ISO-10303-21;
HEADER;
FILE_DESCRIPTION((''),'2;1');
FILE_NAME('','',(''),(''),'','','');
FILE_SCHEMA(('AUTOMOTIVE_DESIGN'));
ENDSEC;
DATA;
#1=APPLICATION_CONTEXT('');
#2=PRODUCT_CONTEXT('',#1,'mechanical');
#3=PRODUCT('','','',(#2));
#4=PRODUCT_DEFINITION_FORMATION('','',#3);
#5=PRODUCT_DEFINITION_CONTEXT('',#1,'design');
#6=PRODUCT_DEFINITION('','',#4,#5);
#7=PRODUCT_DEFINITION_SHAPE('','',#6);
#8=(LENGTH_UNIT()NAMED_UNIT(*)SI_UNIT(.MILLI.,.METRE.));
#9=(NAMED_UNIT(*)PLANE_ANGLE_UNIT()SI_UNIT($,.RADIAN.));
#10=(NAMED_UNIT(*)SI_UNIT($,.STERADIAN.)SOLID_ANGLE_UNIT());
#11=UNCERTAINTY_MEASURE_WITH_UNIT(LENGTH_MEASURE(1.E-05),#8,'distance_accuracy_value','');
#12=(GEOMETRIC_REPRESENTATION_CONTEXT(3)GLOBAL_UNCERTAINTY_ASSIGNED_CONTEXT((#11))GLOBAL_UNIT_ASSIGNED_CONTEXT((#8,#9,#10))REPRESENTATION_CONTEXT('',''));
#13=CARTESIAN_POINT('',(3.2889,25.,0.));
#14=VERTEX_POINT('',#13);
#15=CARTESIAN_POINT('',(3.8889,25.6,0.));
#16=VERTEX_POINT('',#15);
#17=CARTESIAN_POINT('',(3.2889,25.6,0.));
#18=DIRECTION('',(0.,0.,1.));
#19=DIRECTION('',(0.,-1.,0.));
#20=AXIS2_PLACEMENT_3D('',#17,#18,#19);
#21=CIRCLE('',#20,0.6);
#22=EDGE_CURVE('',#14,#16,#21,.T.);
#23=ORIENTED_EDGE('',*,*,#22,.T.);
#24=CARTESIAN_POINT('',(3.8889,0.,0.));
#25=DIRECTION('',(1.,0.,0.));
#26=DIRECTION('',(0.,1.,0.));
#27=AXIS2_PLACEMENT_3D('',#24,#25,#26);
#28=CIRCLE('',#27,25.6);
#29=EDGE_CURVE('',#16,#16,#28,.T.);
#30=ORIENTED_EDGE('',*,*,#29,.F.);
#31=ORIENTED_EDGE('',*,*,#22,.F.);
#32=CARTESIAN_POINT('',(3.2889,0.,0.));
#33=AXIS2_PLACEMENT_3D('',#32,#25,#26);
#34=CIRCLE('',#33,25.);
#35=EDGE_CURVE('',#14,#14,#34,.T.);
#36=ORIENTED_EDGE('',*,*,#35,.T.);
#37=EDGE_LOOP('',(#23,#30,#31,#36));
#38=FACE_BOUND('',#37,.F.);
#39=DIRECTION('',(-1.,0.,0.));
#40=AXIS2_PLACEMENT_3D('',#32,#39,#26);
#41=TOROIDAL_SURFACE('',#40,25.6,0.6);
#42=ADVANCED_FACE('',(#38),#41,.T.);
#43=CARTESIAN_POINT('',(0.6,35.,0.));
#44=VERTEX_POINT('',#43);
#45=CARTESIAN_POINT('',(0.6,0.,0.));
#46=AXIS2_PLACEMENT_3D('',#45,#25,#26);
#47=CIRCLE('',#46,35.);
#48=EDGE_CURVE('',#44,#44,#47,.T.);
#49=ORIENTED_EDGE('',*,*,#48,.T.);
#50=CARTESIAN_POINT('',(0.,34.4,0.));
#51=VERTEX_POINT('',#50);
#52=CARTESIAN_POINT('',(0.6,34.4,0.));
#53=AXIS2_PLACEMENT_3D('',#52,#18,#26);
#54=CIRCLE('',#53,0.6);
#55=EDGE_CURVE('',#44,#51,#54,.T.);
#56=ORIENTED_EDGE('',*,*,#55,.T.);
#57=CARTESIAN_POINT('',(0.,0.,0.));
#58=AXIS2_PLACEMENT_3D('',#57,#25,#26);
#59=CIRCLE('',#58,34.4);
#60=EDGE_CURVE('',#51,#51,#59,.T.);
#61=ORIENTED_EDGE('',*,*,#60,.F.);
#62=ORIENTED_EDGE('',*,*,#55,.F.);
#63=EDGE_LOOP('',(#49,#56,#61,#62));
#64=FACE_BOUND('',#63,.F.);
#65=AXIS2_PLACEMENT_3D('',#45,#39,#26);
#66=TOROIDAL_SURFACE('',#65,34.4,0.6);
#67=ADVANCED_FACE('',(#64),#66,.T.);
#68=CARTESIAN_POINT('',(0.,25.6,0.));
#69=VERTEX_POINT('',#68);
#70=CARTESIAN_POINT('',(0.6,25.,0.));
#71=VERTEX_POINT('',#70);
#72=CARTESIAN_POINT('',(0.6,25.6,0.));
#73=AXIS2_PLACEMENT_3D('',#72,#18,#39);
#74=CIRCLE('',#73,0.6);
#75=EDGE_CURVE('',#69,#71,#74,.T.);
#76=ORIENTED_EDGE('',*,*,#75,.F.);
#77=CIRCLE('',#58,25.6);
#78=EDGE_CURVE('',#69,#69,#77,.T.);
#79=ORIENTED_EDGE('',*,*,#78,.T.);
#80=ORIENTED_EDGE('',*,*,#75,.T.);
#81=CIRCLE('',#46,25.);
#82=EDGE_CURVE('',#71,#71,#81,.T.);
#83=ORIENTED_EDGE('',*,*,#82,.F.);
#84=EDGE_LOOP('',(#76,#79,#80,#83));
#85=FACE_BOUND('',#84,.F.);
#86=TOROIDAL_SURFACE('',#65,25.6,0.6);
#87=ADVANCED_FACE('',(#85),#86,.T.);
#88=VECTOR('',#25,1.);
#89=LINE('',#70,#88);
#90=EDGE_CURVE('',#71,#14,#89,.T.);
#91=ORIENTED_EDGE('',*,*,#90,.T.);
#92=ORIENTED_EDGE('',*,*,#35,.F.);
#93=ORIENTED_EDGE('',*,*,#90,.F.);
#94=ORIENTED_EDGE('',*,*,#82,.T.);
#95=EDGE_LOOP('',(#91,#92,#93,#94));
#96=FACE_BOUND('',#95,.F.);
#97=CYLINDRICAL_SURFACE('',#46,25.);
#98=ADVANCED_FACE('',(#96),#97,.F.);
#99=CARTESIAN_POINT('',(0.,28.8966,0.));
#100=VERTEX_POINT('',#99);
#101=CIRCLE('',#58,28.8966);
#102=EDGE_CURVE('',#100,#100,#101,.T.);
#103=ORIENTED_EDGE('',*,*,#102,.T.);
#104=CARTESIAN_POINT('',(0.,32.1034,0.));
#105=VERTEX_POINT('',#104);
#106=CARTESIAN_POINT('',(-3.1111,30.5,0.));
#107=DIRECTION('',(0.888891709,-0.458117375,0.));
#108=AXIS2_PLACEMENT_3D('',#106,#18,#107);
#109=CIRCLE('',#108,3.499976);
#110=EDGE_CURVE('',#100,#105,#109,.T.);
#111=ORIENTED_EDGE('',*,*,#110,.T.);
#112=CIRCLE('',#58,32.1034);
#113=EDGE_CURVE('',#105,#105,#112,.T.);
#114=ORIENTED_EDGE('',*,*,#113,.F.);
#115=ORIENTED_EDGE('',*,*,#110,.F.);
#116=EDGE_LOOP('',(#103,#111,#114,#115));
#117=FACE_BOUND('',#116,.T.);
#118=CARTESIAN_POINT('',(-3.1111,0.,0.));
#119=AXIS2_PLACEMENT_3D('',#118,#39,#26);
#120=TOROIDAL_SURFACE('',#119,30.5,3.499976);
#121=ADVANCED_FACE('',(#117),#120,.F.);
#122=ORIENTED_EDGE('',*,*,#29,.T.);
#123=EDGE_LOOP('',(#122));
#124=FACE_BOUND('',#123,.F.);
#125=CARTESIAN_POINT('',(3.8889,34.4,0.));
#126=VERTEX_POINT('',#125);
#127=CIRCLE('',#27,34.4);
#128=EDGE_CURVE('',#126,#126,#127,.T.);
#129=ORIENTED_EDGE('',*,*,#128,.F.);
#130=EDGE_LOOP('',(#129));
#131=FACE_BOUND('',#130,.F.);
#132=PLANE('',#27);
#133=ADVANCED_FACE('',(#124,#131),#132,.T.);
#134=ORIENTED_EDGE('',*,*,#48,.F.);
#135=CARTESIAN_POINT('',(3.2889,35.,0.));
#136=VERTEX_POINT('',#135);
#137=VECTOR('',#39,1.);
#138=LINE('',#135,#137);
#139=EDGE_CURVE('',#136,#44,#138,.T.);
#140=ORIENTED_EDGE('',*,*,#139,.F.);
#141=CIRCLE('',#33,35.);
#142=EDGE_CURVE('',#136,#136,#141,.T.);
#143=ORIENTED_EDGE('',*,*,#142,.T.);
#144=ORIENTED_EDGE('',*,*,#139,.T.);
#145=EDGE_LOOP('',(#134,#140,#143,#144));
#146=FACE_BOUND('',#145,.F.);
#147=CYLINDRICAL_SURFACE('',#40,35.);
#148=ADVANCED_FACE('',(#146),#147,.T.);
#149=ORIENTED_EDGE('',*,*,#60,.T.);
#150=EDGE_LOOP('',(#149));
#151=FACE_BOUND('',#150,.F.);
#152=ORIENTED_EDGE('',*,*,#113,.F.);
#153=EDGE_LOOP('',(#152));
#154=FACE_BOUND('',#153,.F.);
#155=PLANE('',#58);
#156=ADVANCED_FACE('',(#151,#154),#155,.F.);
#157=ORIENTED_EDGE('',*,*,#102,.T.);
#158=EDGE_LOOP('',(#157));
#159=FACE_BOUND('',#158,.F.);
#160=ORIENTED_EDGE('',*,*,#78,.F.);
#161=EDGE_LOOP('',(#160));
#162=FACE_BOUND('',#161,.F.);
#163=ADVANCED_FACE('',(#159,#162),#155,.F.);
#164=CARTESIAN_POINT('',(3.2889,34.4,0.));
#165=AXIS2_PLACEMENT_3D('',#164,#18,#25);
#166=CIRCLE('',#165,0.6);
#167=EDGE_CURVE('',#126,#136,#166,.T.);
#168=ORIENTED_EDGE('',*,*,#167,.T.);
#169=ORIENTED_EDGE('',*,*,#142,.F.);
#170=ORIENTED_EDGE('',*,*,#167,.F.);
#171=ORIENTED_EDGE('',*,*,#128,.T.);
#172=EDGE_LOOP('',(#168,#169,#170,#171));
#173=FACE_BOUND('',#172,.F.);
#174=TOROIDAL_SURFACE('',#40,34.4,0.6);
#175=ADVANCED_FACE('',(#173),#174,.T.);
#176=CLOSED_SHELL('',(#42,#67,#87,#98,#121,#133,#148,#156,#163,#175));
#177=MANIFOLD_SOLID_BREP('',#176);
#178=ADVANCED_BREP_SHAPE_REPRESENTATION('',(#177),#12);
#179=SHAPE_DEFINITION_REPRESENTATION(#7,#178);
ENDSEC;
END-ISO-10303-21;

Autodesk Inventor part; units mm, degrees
sketch "Sketch_1" plane through (0, 0, 0) normal (0, 0, 1) x (1, 0, 0)
  line L0 (3.8889, 0) -> (0, 0)
  arc A0 (0, 28.8966) -> (0, 32.1034) centre (-3.1111, 30.5) ccw
  line L1 (0, 28.8966) -> (0, 25.6)
  arc A1 (0, 25.6) -> (0.6, 25) centre (0.6, 25.6) ccw
  line L2 (0.6, 25) -> (3.2889, 25)
  arc A2 (3.2889, 25) -> (3.8889, 25.6) centre (3.2889, 25.6) ccw
  line L3 (3.8889, 25.6) -> (3.8889, 34.4)
  arc A3 (3.8889, 34.4) -> (3.2889, 35) centre (3.2889, 34.4) ccw
  line L4 (3.2889, 35) -> (0.6, 35)
  arc A4 (0.6, 35) -> (0, 34.4) centre (0.6, 34.4) ccw
  line L5 (0, 34.4) -> (0, 32.1034)
revolve "Revolution1" add sketch "Sketch_1" angle 360 about axis through (3.8889, 0, 0) along (1, 0, 0)
ref_plane "SW_HW_XY" through (-10.1111, 0, 0) normal (1, 0, 0) x (0, 0, -1)
ref_plane "SW_HW_YZ" through (-10.1111, 0, 0) normal (0, 0, -1) x (0, 1, 0)
ref_plane "SW_HW_ZX" through (-10.1111, 0, 0) normal (0, 1, 0) x (1, 0, 0)
properties part number "51110 Shaft washer"
